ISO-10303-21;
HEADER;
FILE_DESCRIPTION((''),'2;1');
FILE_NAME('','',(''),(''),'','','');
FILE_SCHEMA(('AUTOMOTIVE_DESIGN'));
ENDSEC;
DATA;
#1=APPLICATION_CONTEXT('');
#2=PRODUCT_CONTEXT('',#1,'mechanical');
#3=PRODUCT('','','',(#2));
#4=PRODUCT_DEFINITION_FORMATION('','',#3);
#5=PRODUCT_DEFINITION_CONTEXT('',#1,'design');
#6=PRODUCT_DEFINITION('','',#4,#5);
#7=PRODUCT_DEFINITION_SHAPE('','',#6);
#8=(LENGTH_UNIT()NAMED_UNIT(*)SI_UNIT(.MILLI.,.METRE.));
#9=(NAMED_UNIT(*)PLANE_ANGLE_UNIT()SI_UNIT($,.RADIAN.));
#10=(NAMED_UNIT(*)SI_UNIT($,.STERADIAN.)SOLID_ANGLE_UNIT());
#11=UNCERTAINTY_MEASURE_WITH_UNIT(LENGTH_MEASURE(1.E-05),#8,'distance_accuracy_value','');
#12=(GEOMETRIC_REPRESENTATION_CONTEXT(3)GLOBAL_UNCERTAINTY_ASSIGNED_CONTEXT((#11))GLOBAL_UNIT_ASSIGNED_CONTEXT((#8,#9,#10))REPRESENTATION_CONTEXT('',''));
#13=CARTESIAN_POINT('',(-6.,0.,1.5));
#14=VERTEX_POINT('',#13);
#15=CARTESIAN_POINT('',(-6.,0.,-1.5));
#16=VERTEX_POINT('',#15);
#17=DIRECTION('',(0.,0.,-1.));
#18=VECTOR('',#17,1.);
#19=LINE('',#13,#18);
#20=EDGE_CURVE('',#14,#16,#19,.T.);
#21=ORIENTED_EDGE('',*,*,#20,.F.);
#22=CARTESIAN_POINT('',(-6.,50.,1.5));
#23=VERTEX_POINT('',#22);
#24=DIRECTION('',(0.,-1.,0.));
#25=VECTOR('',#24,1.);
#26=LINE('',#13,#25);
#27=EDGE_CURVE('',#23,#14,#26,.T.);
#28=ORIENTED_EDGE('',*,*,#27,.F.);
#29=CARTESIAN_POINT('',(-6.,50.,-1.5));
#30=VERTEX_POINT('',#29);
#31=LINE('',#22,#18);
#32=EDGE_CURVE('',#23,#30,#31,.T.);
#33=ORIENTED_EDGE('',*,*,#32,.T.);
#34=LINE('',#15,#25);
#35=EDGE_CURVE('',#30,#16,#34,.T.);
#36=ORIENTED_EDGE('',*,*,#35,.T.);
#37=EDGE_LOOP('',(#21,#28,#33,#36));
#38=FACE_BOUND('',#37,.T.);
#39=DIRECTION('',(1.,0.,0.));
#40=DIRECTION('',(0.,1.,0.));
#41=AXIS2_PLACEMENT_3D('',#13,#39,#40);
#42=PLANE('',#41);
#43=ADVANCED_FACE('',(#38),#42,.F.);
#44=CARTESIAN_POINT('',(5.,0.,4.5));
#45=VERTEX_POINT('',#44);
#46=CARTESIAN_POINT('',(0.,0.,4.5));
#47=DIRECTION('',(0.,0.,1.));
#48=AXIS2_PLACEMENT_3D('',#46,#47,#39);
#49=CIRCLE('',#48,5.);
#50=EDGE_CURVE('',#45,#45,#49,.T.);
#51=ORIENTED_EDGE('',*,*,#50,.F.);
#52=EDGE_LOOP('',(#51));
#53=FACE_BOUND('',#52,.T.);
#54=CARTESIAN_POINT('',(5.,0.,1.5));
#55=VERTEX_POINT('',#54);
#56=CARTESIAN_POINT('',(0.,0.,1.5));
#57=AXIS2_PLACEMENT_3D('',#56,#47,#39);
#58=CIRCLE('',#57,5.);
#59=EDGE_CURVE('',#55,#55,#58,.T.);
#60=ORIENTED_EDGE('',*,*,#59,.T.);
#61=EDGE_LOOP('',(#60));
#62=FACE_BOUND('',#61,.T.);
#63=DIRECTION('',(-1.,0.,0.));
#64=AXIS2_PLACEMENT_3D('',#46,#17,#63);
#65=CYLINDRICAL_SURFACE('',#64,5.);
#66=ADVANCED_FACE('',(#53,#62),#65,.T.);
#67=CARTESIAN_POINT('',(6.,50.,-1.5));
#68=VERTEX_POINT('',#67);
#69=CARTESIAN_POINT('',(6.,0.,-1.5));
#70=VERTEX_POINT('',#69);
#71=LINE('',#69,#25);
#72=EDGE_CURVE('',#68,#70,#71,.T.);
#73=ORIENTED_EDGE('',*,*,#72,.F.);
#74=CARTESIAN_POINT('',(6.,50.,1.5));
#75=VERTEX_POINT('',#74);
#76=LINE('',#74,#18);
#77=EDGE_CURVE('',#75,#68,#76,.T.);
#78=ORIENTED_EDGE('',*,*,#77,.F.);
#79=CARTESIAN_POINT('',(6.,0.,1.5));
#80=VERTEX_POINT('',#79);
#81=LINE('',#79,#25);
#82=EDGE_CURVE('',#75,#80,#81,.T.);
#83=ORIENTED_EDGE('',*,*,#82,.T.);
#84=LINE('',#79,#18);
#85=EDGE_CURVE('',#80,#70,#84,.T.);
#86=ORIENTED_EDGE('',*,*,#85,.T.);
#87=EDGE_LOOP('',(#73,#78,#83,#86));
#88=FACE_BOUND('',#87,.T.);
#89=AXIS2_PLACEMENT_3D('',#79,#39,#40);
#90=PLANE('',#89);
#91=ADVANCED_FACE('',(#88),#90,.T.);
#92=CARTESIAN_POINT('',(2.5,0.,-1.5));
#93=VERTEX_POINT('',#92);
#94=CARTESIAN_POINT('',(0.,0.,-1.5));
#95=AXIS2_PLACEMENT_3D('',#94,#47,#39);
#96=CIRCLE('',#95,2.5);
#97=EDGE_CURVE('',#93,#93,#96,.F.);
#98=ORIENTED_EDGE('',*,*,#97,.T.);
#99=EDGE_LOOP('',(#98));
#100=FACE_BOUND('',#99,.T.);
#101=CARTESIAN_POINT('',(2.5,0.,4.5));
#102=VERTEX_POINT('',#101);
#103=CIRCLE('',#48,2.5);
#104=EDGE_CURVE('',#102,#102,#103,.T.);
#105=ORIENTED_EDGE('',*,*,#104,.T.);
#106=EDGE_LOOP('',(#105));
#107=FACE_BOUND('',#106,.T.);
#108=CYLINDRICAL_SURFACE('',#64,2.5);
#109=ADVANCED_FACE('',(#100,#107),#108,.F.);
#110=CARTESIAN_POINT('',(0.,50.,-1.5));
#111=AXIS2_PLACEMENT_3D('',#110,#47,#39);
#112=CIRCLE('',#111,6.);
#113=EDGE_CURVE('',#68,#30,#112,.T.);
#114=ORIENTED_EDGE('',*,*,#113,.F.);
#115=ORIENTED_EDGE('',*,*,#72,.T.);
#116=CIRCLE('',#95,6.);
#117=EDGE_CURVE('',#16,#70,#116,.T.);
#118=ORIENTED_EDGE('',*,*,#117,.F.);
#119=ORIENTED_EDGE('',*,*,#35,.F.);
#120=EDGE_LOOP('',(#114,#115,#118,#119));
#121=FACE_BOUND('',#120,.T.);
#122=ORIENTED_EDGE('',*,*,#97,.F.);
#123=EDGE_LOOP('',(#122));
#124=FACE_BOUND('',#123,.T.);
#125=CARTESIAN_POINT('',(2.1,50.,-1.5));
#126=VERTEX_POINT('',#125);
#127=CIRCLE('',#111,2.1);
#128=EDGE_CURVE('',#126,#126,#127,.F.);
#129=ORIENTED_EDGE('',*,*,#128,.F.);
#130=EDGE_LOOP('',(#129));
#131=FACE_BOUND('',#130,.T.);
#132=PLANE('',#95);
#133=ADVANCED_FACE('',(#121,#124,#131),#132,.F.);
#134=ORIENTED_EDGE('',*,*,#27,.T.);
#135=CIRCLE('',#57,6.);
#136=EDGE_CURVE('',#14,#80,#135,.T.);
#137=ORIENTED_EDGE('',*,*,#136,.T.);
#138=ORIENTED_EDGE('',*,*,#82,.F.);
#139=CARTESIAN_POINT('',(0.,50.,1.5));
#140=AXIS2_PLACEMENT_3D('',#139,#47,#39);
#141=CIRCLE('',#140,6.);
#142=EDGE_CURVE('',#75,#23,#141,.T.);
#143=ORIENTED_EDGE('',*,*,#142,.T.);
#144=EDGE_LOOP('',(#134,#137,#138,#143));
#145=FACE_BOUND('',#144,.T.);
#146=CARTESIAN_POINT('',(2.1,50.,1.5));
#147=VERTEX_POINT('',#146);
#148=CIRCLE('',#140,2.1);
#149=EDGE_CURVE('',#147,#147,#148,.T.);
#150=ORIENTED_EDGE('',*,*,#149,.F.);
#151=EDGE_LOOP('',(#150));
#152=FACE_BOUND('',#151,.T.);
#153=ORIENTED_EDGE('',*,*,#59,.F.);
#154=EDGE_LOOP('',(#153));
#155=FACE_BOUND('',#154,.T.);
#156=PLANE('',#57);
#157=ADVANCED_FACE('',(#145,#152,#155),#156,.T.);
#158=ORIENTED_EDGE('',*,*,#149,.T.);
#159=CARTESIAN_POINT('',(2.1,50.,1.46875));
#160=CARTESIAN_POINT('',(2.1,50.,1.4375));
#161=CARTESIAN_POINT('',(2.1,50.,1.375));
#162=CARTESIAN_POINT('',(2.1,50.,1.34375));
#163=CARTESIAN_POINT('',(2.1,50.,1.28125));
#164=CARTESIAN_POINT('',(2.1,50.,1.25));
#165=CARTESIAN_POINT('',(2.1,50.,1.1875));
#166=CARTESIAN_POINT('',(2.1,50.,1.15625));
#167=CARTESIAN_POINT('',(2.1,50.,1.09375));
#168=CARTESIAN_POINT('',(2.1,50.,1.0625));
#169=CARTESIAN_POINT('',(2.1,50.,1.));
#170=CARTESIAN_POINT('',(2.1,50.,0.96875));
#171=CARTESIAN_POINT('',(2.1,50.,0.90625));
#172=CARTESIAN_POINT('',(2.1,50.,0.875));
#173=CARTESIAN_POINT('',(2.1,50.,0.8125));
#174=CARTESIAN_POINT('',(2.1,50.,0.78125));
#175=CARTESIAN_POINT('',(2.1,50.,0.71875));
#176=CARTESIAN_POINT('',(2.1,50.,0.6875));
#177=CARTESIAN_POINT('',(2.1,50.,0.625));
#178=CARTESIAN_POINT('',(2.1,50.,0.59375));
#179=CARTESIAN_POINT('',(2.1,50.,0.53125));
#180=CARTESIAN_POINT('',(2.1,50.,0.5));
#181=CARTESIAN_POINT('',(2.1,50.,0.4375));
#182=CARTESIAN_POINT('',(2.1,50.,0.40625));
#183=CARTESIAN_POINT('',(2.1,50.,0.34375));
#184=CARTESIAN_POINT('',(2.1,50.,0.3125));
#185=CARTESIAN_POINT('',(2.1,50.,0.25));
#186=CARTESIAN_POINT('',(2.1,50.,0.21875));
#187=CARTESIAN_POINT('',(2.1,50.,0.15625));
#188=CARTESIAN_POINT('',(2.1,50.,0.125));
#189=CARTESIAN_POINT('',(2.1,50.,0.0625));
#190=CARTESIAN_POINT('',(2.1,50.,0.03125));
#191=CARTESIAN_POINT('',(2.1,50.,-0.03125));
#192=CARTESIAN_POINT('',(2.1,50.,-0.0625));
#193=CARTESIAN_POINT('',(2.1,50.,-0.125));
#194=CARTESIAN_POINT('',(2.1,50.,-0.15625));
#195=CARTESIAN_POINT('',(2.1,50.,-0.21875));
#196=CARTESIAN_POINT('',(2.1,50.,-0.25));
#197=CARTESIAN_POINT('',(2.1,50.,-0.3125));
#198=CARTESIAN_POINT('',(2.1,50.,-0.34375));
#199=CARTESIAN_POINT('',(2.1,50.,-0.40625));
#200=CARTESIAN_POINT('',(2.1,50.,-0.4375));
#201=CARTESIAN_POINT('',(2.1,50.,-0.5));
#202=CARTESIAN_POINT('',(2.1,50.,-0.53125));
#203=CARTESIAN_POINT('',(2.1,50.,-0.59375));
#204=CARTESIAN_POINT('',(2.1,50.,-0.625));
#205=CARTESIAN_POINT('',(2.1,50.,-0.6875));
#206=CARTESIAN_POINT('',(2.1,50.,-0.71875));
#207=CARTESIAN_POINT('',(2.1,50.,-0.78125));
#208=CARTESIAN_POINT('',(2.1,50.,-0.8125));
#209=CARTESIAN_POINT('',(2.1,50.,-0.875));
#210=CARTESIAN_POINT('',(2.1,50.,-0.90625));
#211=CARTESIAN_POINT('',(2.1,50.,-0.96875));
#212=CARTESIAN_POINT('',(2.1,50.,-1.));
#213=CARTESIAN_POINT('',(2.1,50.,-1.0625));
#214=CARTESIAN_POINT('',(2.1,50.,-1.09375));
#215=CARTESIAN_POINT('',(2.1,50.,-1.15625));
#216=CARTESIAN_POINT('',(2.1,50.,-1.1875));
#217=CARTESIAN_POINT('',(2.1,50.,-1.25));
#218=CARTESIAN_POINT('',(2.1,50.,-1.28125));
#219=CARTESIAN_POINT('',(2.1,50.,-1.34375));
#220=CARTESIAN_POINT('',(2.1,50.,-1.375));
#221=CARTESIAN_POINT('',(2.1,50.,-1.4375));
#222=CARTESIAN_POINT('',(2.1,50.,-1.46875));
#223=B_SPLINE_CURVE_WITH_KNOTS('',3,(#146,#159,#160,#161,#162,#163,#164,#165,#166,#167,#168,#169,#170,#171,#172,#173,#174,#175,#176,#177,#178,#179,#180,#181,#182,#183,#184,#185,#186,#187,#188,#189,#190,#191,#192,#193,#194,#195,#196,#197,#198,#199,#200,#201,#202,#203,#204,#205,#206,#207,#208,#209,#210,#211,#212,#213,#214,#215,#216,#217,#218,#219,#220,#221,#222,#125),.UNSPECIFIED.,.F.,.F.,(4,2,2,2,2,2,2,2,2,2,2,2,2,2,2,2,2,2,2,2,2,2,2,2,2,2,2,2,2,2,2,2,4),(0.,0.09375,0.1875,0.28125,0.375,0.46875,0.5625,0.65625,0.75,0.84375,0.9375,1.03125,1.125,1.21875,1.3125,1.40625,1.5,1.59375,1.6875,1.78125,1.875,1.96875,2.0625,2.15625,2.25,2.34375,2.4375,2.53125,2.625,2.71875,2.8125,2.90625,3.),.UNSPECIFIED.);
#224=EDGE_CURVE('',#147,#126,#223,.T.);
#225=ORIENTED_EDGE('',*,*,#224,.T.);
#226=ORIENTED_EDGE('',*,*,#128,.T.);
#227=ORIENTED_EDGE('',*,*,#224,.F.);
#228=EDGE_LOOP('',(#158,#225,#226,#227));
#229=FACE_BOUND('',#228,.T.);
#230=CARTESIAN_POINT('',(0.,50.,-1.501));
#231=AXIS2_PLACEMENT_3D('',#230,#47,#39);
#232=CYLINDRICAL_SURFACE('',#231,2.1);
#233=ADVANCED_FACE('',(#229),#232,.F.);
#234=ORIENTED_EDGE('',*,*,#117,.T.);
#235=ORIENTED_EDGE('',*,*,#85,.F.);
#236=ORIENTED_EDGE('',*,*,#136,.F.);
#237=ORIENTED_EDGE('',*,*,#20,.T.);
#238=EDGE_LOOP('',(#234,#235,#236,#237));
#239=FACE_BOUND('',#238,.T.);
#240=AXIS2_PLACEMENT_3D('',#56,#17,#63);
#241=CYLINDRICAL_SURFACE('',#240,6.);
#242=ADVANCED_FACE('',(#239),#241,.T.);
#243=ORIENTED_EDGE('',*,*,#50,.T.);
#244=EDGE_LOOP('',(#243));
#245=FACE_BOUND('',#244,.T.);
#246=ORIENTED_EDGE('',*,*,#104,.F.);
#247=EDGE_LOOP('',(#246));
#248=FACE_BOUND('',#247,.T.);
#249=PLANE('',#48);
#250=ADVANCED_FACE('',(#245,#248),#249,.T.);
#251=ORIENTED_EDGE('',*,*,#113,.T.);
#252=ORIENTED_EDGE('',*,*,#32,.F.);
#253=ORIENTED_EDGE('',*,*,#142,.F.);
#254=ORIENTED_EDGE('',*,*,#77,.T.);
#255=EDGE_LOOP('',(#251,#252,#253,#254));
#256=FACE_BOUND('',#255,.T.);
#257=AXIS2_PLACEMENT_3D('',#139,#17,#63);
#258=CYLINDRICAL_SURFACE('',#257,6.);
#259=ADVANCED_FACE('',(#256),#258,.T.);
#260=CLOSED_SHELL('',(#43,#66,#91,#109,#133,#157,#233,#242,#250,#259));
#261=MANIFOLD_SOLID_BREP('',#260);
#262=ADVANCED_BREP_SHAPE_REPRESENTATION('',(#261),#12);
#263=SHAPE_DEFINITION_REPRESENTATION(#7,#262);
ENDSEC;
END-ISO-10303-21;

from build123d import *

# Parameters (mm, degrees)
BOSS_EXTRUDE1_DEPTH = 1.5
SKETCH2_R           = 5
SKETCH2_R_2         = 2.5
BOSS_EXTRUDE2_DEPTH = 3
CUT_EXTRUDE1_REACH  = 58.4
SKETCH2_2_R         = 2.5
CUT_EXTRUDE2_REACH  = 58.4
SKETCH5_R           = 2.1


with BuildPart() as part:
    # Sketch1 → Boss-Extrude1 (new, symmetric)
    with BuildSketch(Plane.XY):
        with BuildLine():
            Line((-6, 50), (-6, 0))
            ThreePointArc((-6, 0), (0, -6), (6, 0))
            Line((6, 0), (6, 50))
            ThreePointArc((6, 50), (0, 56), (-6, 50))
        make_face()
    extrude(amount=BOSS_EXTRUDE1_DEPTH, both=True)

    # Sketch2 → Boss-Extrude2 (add)
    with BuildSketch(Plane.XY.offset(1.5)):
        Circle(SKETCH2_R)
        Circle(SKETCH2_R_2, mode=Mode.SUBTRACT)
    extrude(amount=BOSS_EXTRUDE2_DEPTH)

    # Sketch2<2> → Cut-Extrude1 (cut, up to next)
    with BuildSketch(Plane.XY.offset(1.5), mode=Mode.PRIVATE) as cut_extrude1_sk1:
        Circle(SKETCH2_2_R)
    cut_extrude1_tool1 = extrude(cut_extrude1_sk1.sketch, amount=-CUT_EXTRUDE1_REACH, mode=Mode.PRIVATE) & part.part
    add(cut_extrude1_tool1.solids().sort_by_distance((0, 0, 1.5))[0], mode=Mode.SUBTRACT)

    # Sketch5 → Cut-Extrude2 (cut, up to next)
    with BuildSketch(Plane.XY.offset(1.5), mode=Mode.PRIVATE) as cut_extrude2_sk1:
        with Locations((0, 50)):
            Circle(SKETCH5_R)
    cut_extrude2_tool1 = extrude(cut_extrude2_sk1.sketch, amount=-CUT_EXTRUDE2_REACH, mode=Mode.PRIVATE) & part.part
    add(cut_extrude2_tool1.solids().sort_by_distance((0, 50, 1.5))[0], mode=Mode.SUBTRACT)


solid = part.part
